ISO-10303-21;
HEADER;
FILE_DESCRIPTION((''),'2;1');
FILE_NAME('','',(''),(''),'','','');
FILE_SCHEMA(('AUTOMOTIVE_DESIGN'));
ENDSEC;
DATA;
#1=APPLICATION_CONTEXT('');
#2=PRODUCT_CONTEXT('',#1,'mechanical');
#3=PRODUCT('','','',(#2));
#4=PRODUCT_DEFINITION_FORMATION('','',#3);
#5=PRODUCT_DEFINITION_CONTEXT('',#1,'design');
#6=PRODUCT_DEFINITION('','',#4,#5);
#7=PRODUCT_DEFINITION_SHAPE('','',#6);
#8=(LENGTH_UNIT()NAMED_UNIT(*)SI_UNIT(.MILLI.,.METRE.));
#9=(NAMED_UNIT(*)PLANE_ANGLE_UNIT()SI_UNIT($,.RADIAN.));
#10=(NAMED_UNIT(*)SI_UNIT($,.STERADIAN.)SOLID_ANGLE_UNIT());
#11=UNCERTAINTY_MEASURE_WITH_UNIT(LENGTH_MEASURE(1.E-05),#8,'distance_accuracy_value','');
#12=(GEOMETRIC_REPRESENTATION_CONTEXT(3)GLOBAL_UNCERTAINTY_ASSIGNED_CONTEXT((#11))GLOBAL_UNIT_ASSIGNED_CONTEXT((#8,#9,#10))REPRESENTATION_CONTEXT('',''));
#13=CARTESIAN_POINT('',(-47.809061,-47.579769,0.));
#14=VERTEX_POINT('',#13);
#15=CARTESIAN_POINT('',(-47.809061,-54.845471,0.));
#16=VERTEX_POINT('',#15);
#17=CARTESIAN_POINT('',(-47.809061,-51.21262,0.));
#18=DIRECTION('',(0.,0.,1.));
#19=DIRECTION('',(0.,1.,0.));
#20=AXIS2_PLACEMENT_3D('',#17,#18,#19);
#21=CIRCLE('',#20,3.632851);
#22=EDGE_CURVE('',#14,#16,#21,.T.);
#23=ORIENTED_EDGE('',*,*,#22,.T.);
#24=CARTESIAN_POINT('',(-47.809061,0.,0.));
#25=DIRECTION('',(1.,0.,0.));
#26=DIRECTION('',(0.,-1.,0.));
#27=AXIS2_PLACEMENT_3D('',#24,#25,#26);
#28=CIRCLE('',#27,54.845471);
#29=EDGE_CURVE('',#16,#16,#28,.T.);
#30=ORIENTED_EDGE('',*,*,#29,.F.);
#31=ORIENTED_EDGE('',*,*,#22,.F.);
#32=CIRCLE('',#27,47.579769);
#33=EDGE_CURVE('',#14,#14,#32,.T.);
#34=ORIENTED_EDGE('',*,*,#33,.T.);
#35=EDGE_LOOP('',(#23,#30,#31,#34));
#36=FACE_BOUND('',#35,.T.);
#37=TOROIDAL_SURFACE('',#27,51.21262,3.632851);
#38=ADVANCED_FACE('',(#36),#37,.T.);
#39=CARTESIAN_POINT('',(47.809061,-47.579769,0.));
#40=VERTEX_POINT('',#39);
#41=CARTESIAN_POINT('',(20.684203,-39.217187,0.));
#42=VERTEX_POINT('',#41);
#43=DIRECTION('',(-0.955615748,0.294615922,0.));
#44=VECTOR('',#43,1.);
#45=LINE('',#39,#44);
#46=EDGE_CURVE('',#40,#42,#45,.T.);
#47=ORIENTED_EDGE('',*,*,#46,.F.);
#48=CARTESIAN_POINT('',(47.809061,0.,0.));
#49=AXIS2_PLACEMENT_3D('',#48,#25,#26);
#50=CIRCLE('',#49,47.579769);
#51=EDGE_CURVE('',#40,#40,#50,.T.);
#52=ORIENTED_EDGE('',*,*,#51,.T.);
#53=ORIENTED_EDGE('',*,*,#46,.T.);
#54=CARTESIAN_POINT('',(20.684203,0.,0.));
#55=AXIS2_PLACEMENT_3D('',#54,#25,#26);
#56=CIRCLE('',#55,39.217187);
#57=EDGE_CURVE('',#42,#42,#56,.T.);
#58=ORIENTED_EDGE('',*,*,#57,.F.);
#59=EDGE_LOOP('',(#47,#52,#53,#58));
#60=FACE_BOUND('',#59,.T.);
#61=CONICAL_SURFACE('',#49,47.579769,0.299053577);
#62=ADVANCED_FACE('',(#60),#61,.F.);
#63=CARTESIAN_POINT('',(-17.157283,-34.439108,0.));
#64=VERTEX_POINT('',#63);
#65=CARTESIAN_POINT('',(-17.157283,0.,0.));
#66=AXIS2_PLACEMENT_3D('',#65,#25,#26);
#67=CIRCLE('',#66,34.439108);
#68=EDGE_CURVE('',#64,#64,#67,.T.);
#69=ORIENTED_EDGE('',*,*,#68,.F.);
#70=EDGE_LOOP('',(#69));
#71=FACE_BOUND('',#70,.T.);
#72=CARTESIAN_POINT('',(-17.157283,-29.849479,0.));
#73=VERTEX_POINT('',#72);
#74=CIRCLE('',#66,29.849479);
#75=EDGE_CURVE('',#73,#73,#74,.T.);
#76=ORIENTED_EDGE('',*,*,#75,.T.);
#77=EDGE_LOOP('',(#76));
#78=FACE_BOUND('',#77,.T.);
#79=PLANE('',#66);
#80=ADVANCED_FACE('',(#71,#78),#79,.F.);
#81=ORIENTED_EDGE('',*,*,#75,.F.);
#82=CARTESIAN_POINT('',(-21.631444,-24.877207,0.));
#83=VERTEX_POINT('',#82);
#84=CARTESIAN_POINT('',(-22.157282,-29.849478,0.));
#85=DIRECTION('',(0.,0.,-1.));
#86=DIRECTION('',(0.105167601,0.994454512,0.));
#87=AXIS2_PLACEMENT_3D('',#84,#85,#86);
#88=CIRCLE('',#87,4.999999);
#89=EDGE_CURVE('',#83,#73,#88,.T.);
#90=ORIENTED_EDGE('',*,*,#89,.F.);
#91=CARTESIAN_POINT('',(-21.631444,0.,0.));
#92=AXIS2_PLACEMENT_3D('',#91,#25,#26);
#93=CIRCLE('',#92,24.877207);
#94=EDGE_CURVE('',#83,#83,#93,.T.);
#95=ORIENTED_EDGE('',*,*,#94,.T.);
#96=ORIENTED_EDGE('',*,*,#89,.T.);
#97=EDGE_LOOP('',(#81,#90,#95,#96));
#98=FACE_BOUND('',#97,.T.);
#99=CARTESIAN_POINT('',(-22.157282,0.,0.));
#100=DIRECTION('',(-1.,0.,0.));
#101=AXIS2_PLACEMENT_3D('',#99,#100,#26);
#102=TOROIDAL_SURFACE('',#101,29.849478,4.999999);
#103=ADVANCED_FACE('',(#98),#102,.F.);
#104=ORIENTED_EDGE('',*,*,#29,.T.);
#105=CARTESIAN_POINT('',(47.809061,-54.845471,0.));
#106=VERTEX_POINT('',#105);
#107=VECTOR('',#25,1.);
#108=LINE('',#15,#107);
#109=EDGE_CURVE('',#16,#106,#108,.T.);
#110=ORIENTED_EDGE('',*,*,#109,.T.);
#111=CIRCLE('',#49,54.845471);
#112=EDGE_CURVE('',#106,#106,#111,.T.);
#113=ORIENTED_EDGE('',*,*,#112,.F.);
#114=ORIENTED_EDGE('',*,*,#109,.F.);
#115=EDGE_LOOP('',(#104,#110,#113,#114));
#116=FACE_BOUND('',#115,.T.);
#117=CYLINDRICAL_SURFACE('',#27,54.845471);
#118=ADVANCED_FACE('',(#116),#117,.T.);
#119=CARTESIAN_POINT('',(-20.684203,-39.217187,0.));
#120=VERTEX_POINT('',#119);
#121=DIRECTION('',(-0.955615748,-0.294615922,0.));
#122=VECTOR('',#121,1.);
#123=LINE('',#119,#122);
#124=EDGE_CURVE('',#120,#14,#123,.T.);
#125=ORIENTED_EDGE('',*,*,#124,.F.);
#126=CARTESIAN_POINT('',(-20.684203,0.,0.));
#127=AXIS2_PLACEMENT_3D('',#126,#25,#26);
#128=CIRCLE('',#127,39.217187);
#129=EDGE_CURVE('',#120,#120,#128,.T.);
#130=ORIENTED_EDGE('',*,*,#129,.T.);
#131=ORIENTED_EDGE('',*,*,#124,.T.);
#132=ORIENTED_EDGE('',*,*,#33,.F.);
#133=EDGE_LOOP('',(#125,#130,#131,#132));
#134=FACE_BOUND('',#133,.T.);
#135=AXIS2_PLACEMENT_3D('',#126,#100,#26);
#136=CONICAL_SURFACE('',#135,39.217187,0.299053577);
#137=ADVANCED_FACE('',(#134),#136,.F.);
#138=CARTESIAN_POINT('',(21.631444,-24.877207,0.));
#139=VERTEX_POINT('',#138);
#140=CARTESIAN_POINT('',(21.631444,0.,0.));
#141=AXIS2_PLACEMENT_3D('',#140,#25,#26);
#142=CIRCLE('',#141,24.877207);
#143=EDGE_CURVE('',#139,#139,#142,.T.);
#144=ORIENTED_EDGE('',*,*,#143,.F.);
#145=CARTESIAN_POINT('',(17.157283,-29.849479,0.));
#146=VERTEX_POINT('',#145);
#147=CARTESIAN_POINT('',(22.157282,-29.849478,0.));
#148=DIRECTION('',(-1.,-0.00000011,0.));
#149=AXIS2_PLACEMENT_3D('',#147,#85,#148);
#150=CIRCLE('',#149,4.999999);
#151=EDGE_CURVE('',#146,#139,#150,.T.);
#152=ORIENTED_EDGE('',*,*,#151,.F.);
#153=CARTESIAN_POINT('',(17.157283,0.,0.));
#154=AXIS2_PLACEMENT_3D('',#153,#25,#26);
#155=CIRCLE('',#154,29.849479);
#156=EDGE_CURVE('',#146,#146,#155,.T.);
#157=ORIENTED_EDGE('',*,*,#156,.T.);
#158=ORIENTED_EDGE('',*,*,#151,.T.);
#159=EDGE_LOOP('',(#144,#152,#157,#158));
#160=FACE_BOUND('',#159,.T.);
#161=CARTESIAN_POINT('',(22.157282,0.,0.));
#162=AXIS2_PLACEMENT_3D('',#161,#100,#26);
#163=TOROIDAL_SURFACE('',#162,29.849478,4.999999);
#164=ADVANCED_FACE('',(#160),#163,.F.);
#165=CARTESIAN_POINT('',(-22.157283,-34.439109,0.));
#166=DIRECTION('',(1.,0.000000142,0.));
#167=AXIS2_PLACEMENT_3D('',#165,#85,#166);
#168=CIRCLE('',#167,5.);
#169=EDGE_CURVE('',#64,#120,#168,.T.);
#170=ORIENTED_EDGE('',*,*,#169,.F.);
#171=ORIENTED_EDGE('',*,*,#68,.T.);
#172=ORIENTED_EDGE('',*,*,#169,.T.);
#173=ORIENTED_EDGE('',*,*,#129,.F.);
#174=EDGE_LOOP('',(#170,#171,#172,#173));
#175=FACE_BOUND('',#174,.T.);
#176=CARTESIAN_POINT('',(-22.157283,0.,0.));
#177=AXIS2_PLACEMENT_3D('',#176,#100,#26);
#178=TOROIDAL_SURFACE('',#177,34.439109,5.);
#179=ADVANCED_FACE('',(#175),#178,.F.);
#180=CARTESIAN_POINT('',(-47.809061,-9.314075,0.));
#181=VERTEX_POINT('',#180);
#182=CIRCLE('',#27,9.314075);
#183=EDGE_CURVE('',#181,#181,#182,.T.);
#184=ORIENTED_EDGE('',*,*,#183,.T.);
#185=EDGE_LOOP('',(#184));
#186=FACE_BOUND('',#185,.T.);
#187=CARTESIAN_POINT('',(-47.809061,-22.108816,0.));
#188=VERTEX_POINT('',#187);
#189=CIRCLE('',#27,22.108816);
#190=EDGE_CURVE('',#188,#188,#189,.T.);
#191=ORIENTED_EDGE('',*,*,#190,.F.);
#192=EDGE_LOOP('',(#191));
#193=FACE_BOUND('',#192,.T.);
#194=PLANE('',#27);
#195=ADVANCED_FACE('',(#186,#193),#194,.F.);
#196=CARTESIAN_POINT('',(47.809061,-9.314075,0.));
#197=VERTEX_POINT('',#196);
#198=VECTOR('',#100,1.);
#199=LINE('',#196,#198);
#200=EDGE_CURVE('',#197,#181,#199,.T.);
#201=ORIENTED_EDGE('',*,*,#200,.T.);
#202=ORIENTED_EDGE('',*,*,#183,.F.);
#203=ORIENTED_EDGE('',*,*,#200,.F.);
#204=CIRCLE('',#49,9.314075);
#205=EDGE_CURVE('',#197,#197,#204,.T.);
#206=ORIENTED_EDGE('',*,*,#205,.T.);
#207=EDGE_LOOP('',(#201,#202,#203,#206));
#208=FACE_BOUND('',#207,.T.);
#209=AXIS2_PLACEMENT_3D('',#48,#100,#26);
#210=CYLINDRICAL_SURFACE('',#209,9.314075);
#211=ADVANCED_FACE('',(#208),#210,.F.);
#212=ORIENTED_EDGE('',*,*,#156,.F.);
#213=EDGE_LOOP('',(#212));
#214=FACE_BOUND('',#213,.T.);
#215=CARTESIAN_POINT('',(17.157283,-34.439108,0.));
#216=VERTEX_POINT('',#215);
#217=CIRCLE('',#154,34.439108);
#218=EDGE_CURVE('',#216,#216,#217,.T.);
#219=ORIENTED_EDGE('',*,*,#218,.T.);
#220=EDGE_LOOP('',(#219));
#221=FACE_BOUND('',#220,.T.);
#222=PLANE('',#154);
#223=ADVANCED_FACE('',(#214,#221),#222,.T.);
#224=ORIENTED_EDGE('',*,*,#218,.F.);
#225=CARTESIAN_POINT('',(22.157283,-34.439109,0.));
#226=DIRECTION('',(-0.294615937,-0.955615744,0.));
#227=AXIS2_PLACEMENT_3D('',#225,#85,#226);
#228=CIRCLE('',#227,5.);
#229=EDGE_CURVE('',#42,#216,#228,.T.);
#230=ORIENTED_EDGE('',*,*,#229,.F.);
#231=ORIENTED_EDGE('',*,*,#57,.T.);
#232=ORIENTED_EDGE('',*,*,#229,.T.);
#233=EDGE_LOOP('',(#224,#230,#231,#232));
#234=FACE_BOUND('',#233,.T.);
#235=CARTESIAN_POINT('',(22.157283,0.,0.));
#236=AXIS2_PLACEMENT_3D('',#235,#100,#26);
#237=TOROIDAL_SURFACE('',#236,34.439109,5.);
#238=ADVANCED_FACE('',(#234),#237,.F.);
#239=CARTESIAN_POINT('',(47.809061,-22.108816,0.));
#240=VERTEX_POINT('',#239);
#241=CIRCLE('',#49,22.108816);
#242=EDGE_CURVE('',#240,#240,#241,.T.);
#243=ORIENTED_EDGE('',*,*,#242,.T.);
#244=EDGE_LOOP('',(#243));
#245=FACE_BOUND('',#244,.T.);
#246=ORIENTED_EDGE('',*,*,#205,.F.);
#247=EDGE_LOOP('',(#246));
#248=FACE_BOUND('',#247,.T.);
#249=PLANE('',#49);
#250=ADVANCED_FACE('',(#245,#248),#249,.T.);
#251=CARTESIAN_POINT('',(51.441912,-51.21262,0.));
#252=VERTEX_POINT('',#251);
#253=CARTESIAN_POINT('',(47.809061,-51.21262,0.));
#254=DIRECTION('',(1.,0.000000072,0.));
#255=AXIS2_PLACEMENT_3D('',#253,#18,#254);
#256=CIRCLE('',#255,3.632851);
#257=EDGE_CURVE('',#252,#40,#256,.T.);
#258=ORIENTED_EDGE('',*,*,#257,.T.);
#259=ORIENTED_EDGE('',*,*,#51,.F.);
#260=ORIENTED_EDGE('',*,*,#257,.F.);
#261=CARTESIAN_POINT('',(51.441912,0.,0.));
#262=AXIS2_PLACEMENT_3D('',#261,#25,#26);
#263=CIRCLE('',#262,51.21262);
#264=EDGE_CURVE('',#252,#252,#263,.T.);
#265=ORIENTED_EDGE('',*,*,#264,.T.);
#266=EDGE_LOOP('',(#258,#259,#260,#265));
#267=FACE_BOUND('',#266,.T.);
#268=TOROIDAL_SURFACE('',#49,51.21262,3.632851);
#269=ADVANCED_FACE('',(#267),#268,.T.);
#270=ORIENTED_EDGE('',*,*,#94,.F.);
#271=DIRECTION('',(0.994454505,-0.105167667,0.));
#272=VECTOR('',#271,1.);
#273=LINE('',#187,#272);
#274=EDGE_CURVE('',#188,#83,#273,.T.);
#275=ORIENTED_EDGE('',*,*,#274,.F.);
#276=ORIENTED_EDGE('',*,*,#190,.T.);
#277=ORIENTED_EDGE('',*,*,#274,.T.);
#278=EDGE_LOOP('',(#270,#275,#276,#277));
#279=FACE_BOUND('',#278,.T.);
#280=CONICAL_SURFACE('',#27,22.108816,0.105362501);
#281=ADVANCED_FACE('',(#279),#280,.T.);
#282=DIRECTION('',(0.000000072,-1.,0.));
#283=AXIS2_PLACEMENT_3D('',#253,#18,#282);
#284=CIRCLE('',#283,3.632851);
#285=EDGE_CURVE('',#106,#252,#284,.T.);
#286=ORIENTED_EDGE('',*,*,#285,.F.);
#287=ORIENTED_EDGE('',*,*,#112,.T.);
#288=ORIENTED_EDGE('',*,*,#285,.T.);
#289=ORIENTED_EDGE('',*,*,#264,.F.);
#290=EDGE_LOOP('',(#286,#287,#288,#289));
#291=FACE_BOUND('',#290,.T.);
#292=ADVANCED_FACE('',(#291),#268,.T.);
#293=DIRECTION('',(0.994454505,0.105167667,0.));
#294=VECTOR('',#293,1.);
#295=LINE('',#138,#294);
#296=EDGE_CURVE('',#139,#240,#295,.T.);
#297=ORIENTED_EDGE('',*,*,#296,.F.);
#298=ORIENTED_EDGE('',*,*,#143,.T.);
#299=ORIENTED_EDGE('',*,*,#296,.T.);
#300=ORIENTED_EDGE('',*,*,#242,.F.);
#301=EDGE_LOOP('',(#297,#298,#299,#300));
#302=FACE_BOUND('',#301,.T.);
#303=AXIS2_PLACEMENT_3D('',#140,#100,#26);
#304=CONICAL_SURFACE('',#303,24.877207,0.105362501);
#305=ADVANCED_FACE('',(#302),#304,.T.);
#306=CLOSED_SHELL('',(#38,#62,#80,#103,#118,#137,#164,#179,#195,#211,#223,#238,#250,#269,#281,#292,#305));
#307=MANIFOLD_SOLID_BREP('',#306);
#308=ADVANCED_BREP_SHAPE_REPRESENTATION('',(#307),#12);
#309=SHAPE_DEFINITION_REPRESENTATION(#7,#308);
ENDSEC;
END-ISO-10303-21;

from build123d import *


with BuildPart() as f1:
    # F0 (on Top) → F1 (revolve)
    with BuildSketch(Plane.XY):
        with BuildLine():
            Line((0, -9.314075), (-47.809061, -9.314075))
            Line((-47.809061, -9.314075), (-47.809061, -22.108816))
            Line((-47.809061, -22.108816), (-21.631444, -24.877207))
            ThreePointArc((-21.631444, -24.877207), (-18.440484, -26.50502), (-17.157283, -29.849479))
            Line((-17.157283, -29.849479), (-17.157283, -34.439108))
            ThreePointArc((-17.157283, -34.439108), (-18.13451, -37.408502), (-20.684203, -39.217187))
            Line((-20.684203, -39.217187), (-47.809061, -47.579769))
            ThreePointArc((-47.809061, -47.579769), (-45.240247, -48.643806), (-44.17621, -51.21262))
            ThreePointArc((-44.17621, -51.21262), (-45.240247, -53.781434), (-47.809061, -54.845471))
            Line((-47.809061, -54.845471), (0, -54.845471))
            Line((0, -54.845471), (0, -9.314075))
        make_face()
        with BuildLine():
            Line((47.809061, -9.314075), (0, -9.314075))
            Line((0, -9.314075), (0, -54.845471))
            Line((0, -54.845471), (47.809061, -54.845471))
            ThreePointArc((47.809061, -54.845471), (44.17621, -51.21262), (47.809061, -47.579769))
            Line((47.809061, -47.579769), (20.684203, -39.217187))
            ThreePointArc((20.684203, -39.217187), (18.13451, -37.408502), (17.157283, -34.439108))
            Line((17.157283, -34.439108), (17.157283, -29.849479))
            ThreePointArc((17.157283, -29.849479), (18.440484, -26.50502), (21.631444, -24.877207))
            Line((21.631444, -24.877207), (47.809061, -22.108816))
            Line((47.809061, -22.108816), (47.809061, -9.314075))
        make_face()
        with BuildLine():
            ThreePointArc((-47.809061, -47.579769), (-51.441912, -51.21262), (-47.809061, -54.845471))
            ThreePointArc((-47.809061, -54.845471), (-45.240247, -53.781434), (-44.17621, -51.21262))
            ThreePointArc((-44.17621, -51.21262), (-45.240247, -48.643806), (-47.809061, -47.579769))
        make_face()
        with BuildLine():
            ThreePointArc((47.809061, -47.579769), (44.17621, -51.21262), (47.809061, -54.845471))
            ThreePointArc((47.809061, -54.845471), (50.377874, -53.781434), (51.441912, -51.21262))
            ThreePointArc((51.441912, -51.21262), (50.377874, -48.643806), (47.809061, -47.579769))
        make_face()
    revolve(axis=Axis((0.100167, 0, 0), (1, 0, 0)))


solid = f1.part
